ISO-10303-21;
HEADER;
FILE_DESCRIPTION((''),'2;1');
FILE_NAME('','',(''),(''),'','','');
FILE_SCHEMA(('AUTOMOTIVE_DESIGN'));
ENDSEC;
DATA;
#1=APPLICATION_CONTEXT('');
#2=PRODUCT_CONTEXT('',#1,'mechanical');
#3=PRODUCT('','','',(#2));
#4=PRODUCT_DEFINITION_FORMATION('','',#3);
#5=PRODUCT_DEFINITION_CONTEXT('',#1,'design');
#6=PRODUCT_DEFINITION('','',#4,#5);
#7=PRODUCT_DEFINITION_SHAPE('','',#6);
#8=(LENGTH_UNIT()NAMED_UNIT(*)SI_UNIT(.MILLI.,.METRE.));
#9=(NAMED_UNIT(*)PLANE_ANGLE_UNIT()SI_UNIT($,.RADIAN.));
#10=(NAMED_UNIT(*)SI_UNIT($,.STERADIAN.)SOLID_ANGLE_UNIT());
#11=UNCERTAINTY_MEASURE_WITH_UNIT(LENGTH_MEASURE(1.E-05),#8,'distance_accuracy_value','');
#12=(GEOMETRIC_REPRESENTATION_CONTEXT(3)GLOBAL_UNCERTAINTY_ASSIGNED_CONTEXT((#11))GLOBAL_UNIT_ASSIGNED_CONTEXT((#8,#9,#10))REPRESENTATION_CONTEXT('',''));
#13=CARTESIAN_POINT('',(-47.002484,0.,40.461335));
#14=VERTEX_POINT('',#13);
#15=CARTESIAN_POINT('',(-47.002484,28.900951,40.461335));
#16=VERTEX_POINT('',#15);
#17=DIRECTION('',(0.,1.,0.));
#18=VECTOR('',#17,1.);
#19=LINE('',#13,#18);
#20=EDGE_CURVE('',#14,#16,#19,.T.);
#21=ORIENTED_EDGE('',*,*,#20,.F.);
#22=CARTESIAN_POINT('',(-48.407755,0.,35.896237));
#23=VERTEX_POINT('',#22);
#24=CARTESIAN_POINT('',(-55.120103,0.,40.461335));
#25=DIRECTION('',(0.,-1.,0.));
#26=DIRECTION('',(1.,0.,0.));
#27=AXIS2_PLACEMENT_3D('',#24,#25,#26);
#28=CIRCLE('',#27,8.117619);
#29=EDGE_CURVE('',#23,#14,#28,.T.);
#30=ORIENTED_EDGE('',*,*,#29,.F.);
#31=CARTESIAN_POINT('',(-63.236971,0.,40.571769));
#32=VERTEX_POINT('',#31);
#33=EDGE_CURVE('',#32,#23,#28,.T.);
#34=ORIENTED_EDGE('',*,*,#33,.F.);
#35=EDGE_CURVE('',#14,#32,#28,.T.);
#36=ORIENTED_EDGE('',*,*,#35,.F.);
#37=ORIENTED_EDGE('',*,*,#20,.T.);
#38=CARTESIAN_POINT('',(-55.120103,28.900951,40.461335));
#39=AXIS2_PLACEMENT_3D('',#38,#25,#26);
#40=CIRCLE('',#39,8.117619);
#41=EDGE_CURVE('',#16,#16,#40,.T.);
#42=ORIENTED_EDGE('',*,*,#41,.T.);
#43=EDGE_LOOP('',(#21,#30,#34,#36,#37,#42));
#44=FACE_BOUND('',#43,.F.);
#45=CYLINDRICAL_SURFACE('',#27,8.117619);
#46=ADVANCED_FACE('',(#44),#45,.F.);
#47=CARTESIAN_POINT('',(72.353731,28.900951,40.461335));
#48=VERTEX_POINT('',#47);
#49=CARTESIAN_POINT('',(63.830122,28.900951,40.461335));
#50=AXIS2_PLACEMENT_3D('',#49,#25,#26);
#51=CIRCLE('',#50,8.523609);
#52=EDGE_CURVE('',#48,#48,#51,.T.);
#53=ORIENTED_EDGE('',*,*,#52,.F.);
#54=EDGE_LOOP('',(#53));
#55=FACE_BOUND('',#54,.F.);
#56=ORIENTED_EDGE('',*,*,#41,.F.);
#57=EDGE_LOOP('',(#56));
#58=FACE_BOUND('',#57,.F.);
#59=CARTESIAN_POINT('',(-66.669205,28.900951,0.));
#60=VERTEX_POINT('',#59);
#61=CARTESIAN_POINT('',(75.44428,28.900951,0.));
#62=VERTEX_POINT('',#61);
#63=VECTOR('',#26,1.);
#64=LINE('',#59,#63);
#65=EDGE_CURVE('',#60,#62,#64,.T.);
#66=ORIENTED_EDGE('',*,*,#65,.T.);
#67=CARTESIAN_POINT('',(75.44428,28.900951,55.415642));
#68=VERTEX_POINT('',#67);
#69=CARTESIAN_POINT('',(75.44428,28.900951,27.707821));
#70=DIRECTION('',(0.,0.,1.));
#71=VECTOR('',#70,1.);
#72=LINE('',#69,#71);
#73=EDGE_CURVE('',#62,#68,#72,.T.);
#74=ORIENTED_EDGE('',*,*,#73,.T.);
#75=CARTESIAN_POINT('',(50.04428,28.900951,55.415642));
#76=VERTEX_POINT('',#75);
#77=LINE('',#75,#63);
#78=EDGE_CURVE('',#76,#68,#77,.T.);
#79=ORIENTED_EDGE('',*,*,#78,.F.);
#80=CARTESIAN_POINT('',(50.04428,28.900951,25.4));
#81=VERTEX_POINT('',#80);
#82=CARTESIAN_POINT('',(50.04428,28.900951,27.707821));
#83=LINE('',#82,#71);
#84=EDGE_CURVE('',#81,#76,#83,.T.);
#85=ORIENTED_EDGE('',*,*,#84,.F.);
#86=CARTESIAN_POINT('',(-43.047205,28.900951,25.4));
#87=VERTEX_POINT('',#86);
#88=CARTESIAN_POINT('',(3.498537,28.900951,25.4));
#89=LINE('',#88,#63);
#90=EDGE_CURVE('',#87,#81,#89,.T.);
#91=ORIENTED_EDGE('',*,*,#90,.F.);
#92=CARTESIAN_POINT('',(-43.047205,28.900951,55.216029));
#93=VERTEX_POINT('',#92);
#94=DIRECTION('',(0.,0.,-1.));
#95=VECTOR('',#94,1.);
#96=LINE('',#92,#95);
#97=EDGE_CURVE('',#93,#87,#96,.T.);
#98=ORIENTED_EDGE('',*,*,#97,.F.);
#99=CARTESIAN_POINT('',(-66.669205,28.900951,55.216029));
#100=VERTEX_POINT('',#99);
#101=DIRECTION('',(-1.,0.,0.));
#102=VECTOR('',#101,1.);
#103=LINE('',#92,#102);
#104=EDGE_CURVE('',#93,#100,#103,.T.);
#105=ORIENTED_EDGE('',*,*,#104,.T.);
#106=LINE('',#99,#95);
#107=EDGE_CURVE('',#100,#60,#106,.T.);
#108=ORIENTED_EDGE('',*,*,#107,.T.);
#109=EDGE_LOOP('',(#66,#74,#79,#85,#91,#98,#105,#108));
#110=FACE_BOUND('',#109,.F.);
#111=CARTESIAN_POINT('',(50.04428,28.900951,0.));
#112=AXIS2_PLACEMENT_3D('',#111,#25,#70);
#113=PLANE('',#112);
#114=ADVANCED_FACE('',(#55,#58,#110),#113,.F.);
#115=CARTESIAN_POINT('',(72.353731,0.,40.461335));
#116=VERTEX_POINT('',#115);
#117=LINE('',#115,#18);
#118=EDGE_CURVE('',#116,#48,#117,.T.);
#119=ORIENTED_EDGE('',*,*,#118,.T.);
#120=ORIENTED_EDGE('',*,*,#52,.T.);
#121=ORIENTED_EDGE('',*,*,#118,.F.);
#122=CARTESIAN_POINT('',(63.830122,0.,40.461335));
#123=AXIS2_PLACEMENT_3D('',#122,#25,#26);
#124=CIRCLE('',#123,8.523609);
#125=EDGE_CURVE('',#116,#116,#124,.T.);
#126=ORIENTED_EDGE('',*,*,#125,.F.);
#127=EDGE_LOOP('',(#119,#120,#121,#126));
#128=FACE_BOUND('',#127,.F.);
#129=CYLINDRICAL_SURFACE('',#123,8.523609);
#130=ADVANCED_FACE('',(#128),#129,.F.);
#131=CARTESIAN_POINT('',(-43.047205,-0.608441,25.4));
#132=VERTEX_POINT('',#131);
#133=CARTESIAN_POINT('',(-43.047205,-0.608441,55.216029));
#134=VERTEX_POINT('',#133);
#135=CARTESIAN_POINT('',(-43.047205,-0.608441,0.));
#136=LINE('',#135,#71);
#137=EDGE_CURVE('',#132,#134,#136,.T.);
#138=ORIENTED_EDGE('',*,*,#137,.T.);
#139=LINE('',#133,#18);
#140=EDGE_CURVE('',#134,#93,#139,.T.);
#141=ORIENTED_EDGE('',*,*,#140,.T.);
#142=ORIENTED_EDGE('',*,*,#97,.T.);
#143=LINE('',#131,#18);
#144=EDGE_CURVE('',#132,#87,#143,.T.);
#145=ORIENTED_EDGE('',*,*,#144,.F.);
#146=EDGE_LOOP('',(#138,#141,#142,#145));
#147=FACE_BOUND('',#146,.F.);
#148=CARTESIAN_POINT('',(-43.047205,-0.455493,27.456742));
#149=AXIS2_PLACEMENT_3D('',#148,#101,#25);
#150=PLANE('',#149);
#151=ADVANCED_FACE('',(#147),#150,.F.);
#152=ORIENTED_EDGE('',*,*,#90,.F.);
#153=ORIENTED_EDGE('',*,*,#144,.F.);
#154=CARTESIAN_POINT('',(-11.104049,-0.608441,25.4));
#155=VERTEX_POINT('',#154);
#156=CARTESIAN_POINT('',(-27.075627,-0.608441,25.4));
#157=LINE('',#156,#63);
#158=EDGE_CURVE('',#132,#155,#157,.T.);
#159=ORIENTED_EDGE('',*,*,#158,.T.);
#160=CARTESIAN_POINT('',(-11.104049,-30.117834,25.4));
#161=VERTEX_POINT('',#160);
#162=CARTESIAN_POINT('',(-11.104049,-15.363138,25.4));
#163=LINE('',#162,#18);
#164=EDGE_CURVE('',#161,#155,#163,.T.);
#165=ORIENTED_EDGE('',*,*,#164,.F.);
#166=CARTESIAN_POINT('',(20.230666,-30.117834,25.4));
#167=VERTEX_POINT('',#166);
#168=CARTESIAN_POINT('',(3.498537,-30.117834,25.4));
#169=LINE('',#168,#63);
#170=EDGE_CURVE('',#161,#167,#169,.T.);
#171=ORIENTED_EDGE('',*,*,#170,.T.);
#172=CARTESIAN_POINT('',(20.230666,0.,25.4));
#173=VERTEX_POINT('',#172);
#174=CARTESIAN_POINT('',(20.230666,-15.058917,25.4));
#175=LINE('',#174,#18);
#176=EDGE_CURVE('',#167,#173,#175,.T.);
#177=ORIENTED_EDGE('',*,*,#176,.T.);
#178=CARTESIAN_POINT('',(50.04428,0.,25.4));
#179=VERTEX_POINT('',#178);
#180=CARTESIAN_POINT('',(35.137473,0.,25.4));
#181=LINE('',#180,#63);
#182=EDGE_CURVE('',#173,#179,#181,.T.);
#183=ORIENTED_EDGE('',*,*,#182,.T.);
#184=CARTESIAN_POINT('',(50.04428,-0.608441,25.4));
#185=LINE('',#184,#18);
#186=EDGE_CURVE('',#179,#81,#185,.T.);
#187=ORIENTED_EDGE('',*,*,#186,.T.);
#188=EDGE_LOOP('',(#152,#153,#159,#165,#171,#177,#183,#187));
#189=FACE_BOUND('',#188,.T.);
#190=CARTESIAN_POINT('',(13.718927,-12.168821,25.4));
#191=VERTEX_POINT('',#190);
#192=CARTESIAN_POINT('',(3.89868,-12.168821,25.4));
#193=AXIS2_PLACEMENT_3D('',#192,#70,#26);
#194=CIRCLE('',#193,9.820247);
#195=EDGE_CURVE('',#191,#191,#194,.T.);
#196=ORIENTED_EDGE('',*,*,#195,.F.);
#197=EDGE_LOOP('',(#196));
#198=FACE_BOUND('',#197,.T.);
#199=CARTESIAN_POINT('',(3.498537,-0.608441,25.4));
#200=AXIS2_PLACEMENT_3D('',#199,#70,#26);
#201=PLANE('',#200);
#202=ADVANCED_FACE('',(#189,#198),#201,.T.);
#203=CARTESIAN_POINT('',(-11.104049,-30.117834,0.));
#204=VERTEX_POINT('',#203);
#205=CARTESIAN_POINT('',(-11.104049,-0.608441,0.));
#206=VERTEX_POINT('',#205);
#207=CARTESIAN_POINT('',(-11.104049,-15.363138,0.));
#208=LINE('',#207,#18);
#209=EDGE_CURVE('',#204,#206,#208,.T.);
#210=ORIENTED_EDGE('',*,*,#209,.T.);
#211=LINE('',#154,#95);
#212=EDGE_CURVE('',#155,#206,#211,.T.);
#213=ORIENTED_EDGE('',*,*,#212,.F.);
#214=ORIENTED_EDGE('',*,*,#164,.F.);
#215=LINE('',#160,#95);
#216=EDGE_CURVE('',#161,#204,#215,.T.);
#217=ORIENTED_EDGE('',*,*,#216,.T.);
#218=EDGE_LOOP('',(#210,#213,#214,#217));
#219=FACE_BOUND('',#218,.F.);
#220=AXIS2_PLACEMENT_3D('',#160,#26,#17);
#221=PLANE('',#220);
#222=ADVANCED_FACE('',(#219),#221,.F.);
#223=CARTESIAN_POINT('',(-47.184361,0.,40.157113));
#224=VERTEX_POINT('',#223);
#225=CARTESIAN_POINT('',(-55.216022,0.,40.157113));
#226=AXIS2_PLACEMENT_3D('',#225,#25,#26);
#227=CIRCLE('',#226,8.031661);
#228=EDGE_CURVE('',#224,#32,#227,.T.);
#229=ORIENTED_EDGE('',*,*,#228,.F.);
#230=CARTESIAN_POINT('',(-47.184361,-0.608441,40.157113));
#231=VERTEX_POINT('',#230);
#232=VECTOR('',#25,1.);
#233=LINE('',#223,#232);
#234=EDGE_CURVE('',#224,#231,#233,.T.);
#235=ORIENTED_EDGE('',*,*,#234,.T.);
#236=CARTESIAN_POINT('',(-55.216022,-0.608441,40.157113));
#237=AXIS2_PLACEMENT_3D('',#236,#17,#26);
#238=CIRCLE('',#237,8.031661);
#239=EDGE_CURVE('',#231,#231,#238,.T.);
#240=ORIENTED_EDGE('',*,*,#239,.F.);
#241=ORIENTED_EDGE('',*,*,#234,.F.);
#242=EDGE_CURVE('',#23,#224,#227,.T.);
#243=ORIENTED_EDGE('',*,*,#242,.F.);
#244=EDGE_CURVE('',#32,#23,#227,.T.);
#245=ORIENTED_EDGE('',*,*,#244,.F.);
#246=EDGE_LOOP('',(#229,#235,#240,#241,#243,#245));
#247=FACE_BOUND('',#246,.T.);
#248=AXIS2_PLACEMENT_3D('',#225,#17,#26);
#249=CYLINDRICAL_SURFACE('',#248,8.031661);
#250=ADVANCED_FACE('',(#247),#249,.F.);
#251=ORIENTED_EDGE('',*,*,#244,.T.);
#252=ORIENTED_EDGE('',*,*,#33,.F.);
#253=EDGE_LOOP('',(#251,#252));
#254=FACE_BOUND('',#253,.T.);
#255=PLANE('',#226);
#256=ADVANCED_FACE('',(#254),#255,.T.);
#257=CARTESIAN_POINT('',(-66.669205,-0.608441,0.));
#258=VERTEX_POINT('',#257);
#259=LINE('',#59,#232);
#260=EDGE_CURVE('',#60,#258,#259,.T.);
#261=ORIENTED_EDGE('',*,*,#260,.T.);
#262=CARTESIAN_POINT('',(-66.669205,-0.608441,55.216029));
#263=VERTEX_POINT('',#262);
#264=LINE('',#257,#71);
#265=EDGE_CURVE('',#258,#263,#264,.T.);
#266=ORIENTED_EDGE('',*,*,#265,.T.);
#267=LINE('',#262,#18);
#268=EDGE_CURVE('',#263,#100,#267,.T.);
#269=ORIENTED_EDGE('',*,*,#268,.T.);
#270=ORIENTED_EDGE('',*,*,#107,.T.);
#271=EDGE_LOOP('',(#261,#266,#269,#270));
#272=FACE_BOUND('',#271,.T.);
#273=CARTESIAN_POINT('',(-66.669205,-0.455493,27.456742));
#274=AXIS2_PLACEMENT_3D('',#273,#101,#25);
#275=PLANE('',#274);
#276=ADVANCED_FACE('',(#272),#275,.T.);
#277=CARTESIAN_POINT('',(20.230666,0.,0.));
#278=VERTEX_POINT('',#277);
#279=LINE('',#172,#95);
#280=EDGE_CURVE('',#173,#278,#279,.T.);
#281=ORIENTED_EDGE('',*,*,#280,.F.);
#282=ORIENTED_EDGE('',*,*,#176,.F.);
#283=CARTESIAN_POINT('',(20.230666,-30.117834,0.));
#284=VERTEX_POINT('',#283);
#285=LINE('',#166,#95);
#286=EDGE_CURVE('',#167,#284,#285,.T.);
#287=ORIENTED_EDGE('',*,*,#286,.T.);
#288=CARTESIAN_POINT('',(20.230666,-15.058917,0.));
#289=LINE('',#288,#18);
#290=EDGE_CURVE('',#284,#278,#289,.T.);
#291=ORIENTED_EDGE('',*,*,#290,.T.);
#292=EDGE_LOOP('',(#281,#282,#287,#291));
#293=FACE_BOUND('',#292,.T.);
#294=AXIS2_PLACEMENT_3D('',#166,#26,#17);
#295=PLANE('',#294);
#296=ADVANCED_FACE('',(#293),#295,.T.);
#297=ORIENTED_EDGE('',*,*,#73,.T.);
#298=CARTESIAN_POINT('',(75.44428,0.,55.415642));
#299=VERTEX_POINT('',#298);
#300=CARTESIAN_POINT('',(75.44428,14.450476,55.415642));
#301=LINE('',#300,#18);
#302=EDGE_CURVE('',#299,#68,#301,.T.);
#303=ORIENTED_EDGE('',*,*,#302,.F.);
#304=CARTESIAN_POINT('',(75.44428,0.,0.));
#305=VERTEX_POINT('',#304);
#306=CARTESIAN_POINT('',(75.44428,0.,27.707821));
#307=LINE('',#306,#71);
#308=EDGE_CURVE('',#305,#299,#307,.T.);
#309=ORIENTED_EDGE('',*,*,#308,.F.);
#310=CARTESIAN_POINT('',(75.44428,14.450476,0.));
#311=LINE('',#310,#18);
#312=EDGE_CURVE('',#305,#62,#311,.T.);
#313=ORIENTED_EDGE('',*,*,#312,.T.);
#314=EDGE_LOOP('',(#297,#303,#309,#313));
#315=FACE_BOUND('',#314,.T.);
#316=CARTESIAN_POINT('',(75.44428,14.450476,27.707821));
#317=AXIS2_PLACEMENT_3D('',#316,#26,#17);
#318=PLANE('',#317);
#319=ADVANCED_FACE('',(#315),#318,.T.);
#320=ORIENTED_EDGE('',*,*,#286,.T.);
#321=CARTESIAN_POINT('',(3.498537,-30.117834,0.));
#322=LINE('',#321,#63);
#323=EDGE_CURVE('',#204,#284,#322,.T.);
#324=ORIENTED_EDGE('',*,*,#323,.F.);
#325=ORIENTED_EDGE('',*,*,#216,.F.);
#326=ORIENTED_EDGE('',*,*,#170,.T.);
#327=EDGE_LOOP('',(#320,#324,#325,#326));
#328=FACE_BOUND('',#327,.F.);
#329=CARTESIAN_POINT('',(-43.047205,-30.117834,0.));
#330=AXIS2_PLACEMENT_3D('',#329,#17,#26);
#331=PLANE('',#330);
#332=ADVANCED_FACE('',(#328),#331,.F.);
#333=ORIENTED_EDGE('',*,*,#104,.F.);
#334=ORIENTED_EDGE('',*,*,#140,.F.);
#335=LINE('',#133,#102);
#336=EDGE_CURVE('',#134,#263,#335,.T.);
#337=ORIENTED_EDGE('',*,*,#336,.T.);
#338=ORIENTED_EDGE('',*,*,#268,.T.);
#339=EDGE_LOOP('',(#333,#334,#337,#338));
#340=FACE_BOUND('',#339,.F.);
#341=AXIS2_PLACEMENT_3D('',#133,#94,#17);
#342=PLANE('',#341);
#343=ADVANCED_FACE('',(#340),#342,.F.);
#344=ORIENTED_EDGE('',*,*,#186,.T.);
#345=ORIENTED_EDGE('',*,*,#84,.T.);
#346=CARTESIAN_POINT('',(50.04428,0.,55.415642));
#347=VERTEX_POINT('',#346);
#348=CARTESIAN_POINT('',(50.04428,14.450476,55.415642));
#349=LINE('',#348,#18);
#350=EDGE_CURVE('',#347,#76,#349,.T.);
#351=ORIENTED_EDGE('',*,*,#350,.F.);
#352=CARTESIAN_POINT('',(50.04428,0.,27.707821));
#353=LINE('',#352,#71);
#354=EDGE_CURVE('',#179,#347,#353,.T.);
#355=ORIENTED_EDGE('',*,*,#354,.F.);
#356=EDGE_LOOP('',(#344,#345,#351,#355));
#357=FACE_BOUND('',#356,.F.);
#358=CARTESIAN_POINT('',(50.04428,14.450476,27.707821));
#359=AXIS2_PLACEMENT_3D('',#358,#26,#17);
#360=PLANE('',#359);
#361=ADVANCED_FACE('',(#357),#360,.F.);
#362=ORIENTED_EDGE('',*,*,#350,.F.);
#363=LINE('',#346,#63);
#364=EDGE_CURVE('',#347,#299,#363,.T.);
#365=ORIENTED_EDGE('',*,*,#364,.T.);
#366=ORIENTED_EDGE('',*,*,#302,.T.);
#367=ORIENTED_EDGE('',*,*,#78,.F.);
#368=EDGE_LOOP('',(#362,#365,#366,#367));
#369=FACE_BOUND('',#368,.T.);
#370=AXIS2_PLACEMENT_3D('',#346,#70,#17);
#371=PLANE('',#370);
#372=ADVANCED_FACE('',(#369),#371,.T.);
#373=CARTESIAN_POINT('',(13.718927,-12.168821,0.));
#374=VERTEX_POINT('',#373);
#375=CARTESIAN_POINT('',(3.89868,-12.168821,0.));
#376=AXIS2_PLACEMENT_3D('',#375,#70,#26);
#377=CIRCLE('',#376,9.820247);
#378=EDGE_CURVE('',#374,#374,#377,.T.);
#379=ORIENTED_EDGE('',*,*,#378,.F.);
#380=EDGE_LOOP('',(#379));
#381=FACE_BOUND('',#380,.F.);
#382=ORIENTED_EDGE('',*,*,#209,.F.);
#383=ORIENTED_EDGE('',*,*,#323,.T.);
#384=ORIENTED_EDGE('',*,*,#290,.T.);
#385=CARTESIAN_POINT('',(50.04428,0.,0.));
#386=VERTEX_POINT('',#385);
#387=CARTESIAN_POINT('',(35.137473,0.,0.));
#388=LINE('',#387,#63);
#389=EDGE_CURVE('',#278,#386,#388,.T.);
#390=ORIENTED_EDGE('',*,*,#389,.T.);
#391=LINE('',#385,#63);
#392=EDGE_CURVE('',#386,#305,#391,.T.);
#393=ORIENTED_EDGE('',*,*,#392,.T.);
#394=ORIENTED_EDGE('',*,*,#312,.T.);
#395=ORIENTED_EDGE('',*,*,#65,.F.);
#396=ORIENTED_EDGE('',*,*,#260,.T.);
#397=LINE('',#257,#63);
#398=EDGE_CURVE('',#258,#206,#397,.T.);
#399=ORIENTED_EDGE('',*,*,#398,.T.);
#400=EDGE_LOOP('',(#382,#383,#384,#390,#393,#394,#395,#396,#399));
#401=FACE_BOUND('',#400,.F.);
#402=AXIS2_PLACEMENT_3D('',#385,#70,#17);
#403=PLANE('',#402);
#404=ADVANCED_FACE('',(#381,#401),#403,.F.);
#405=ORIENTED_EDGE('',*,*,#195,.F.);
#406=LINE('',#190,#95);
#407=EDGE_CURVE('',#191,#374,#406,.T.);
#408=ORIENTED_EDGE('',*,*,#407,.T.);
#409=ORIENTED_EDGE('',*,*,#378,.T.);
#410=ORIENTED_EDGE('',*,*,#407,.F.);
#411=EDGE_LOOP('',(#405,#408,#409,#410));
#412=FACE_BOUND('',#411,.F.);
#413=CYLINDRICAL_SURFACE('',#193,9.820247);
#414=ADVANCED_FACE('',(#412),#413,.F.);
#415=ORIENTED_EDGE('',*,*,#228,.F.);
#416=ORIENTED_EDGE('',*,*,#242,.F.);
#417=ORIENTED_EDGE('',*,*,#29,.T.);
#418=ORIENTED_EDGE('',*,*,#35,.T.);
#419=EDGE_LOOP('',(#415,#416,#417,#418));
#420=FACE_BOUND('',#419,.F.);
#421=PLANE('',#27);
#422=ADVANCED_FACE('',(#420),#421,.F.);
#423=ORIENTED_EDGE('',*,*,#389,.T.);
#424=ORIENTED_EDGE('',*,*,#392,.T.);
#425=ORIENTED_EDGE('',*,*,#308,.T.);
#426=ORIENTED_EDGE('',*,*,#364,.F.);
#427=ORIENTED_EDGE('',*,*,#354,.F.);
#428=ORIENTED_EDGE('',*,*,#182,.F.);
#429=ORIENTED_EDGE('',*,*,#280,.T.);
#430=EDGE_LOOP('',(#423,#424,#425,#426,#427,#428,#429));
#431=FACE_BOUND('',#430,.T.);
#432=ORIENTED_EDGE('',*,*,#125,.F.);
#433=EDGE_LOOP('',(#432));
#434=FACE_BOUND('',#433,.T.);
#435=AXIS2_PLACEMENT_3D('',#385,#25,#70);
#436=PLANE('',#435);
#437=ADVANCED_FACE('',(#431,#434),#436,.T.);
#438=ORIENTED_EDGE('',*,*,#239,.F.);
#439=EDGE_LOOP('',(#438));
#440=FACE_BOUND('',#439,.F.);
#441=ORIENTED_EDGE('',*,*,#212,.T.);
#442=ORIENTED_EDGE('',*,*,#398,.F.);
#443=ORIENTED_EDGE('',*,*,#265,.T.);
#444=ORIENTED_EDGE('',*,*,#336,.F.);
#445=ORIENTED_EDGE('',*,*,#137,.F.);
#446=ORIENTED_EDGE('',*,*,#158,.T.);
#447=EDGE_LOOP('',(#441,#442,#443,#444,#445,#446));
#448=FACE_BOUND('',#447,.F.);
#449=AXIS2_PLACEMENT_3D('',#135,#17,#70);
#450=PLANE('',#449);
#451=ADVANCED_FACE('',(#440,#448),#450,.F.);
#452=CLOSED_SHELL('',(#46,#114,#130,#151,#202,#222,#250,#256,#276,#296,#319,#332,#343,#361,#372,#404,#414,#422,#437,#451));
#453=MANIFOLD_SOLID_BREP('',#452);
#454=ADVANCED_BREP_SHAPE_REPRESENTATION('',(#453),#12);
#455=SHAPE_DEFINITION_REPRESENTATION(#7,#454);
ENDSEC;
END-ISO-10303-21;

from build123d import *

# Parameters (mm, degrees)
F0_W      = 93.0914841592
F0_H      = 59.018785134
F1_DEPTH  = 25.4
F2_W      = 29.8136137426
F2_H      = 30.1178339869
F2_W_2    = 31.9431554526
F2_H_2    = 29.509392567
F3_DEPTH  = 25.4
F5_DEPTH  = 23.622
F6_W      = 28.9009511471
F6_H      = 55.4156415164
F7_DEPTH  = 25.4
F8_R      = 9.8202471376
F9_DEPTH  = 33.528
F10_R     = 8.1176194913
F10_R_2   = 8.5236088485
F11_DEPTH = 38.1
F12_R     = 8.0316605079
F13_DEPTH = 60.96


with BuildPart() as f1:
    # F0 (on Top) → F1 (new body)
    with BuildSketch(Plane.XY):
        with Locations((3.4985374659, -0.6084414199)):
            Rectangle(F0_W, F0_H)
    extrude(amount=F1_DEPTH)

    # F2 (on face) → F3 (cut)
    with BuildSketch(Plane.XY.offset(25.4)):
        with Locations((35.1374726743, -15.0589169934)):
            Rectangle(F2_W, F2_H)
        with Locations((-27.0756268874, -15.3631377034)):
            Rectangle(F2_W_2, F2_H_2)
    extrude(amount=-F3_DEPTH, mode=Mode.SUBTRACT)

    # F4 (on face) → F5 (join)
    with BuildSketch(Plane(origin=(-43.0472046137, 0, 0), x_dir=(0, -1, 0), z_dir=(-1, 0, 0))):
        Polygon((0, 0), (0.6084414199, 0), (0.6084414199, 55.2160292864), align=None)
        Polygon((0, 0), (0.6084414199, 55.2160292864), (-28.9009511471, 55.2160292864), (-28.9009511471, 0), align=None)
    extrude(amount=F5_DEPTH)

    # F6 (on face) → F7 (join)
    with BuildSketch(Plane.YZ.offset(50.0442795455)):
        with Locations((14.4504755735, 27.7078207582)):
            Rectangle(F6_W, F6_H)
    extrude(amount=F7_DEPTH)

    # F8 (on face) → F9 (cut)
    with BuildSketch(Plane.XY.offset(25.4)):
        with Locations((3.8986797445, -12.1688209474)):
            Circle(F8_R)
    extrude(amount=-F9_DEPTH, mode=Mode.SUBTRACT)

    # F10 (on Front) → F11 (cut)
    with BuildSketch(Plane.XZ):
        with Locations((-55.1201030612, 40.4613353312)):
            Circle(F10_R)
        with Locations((63.8301223516, 40.4613353312)):
            Circle(F10_R_2)
    extrude(amount=-F11_DEPTH, mode=Mode.SUBTRACT)

    # F12 (on Front) → F13 (cut)
    with BuildSketch(Plane.XZ):
        with Locations((-55.2160218358, 40.1571132243)):
            Circle(F12_R)
    extrude(amount=F13_DEPTH, mode=Mode.SUBTRACT)


solid = f1.part
